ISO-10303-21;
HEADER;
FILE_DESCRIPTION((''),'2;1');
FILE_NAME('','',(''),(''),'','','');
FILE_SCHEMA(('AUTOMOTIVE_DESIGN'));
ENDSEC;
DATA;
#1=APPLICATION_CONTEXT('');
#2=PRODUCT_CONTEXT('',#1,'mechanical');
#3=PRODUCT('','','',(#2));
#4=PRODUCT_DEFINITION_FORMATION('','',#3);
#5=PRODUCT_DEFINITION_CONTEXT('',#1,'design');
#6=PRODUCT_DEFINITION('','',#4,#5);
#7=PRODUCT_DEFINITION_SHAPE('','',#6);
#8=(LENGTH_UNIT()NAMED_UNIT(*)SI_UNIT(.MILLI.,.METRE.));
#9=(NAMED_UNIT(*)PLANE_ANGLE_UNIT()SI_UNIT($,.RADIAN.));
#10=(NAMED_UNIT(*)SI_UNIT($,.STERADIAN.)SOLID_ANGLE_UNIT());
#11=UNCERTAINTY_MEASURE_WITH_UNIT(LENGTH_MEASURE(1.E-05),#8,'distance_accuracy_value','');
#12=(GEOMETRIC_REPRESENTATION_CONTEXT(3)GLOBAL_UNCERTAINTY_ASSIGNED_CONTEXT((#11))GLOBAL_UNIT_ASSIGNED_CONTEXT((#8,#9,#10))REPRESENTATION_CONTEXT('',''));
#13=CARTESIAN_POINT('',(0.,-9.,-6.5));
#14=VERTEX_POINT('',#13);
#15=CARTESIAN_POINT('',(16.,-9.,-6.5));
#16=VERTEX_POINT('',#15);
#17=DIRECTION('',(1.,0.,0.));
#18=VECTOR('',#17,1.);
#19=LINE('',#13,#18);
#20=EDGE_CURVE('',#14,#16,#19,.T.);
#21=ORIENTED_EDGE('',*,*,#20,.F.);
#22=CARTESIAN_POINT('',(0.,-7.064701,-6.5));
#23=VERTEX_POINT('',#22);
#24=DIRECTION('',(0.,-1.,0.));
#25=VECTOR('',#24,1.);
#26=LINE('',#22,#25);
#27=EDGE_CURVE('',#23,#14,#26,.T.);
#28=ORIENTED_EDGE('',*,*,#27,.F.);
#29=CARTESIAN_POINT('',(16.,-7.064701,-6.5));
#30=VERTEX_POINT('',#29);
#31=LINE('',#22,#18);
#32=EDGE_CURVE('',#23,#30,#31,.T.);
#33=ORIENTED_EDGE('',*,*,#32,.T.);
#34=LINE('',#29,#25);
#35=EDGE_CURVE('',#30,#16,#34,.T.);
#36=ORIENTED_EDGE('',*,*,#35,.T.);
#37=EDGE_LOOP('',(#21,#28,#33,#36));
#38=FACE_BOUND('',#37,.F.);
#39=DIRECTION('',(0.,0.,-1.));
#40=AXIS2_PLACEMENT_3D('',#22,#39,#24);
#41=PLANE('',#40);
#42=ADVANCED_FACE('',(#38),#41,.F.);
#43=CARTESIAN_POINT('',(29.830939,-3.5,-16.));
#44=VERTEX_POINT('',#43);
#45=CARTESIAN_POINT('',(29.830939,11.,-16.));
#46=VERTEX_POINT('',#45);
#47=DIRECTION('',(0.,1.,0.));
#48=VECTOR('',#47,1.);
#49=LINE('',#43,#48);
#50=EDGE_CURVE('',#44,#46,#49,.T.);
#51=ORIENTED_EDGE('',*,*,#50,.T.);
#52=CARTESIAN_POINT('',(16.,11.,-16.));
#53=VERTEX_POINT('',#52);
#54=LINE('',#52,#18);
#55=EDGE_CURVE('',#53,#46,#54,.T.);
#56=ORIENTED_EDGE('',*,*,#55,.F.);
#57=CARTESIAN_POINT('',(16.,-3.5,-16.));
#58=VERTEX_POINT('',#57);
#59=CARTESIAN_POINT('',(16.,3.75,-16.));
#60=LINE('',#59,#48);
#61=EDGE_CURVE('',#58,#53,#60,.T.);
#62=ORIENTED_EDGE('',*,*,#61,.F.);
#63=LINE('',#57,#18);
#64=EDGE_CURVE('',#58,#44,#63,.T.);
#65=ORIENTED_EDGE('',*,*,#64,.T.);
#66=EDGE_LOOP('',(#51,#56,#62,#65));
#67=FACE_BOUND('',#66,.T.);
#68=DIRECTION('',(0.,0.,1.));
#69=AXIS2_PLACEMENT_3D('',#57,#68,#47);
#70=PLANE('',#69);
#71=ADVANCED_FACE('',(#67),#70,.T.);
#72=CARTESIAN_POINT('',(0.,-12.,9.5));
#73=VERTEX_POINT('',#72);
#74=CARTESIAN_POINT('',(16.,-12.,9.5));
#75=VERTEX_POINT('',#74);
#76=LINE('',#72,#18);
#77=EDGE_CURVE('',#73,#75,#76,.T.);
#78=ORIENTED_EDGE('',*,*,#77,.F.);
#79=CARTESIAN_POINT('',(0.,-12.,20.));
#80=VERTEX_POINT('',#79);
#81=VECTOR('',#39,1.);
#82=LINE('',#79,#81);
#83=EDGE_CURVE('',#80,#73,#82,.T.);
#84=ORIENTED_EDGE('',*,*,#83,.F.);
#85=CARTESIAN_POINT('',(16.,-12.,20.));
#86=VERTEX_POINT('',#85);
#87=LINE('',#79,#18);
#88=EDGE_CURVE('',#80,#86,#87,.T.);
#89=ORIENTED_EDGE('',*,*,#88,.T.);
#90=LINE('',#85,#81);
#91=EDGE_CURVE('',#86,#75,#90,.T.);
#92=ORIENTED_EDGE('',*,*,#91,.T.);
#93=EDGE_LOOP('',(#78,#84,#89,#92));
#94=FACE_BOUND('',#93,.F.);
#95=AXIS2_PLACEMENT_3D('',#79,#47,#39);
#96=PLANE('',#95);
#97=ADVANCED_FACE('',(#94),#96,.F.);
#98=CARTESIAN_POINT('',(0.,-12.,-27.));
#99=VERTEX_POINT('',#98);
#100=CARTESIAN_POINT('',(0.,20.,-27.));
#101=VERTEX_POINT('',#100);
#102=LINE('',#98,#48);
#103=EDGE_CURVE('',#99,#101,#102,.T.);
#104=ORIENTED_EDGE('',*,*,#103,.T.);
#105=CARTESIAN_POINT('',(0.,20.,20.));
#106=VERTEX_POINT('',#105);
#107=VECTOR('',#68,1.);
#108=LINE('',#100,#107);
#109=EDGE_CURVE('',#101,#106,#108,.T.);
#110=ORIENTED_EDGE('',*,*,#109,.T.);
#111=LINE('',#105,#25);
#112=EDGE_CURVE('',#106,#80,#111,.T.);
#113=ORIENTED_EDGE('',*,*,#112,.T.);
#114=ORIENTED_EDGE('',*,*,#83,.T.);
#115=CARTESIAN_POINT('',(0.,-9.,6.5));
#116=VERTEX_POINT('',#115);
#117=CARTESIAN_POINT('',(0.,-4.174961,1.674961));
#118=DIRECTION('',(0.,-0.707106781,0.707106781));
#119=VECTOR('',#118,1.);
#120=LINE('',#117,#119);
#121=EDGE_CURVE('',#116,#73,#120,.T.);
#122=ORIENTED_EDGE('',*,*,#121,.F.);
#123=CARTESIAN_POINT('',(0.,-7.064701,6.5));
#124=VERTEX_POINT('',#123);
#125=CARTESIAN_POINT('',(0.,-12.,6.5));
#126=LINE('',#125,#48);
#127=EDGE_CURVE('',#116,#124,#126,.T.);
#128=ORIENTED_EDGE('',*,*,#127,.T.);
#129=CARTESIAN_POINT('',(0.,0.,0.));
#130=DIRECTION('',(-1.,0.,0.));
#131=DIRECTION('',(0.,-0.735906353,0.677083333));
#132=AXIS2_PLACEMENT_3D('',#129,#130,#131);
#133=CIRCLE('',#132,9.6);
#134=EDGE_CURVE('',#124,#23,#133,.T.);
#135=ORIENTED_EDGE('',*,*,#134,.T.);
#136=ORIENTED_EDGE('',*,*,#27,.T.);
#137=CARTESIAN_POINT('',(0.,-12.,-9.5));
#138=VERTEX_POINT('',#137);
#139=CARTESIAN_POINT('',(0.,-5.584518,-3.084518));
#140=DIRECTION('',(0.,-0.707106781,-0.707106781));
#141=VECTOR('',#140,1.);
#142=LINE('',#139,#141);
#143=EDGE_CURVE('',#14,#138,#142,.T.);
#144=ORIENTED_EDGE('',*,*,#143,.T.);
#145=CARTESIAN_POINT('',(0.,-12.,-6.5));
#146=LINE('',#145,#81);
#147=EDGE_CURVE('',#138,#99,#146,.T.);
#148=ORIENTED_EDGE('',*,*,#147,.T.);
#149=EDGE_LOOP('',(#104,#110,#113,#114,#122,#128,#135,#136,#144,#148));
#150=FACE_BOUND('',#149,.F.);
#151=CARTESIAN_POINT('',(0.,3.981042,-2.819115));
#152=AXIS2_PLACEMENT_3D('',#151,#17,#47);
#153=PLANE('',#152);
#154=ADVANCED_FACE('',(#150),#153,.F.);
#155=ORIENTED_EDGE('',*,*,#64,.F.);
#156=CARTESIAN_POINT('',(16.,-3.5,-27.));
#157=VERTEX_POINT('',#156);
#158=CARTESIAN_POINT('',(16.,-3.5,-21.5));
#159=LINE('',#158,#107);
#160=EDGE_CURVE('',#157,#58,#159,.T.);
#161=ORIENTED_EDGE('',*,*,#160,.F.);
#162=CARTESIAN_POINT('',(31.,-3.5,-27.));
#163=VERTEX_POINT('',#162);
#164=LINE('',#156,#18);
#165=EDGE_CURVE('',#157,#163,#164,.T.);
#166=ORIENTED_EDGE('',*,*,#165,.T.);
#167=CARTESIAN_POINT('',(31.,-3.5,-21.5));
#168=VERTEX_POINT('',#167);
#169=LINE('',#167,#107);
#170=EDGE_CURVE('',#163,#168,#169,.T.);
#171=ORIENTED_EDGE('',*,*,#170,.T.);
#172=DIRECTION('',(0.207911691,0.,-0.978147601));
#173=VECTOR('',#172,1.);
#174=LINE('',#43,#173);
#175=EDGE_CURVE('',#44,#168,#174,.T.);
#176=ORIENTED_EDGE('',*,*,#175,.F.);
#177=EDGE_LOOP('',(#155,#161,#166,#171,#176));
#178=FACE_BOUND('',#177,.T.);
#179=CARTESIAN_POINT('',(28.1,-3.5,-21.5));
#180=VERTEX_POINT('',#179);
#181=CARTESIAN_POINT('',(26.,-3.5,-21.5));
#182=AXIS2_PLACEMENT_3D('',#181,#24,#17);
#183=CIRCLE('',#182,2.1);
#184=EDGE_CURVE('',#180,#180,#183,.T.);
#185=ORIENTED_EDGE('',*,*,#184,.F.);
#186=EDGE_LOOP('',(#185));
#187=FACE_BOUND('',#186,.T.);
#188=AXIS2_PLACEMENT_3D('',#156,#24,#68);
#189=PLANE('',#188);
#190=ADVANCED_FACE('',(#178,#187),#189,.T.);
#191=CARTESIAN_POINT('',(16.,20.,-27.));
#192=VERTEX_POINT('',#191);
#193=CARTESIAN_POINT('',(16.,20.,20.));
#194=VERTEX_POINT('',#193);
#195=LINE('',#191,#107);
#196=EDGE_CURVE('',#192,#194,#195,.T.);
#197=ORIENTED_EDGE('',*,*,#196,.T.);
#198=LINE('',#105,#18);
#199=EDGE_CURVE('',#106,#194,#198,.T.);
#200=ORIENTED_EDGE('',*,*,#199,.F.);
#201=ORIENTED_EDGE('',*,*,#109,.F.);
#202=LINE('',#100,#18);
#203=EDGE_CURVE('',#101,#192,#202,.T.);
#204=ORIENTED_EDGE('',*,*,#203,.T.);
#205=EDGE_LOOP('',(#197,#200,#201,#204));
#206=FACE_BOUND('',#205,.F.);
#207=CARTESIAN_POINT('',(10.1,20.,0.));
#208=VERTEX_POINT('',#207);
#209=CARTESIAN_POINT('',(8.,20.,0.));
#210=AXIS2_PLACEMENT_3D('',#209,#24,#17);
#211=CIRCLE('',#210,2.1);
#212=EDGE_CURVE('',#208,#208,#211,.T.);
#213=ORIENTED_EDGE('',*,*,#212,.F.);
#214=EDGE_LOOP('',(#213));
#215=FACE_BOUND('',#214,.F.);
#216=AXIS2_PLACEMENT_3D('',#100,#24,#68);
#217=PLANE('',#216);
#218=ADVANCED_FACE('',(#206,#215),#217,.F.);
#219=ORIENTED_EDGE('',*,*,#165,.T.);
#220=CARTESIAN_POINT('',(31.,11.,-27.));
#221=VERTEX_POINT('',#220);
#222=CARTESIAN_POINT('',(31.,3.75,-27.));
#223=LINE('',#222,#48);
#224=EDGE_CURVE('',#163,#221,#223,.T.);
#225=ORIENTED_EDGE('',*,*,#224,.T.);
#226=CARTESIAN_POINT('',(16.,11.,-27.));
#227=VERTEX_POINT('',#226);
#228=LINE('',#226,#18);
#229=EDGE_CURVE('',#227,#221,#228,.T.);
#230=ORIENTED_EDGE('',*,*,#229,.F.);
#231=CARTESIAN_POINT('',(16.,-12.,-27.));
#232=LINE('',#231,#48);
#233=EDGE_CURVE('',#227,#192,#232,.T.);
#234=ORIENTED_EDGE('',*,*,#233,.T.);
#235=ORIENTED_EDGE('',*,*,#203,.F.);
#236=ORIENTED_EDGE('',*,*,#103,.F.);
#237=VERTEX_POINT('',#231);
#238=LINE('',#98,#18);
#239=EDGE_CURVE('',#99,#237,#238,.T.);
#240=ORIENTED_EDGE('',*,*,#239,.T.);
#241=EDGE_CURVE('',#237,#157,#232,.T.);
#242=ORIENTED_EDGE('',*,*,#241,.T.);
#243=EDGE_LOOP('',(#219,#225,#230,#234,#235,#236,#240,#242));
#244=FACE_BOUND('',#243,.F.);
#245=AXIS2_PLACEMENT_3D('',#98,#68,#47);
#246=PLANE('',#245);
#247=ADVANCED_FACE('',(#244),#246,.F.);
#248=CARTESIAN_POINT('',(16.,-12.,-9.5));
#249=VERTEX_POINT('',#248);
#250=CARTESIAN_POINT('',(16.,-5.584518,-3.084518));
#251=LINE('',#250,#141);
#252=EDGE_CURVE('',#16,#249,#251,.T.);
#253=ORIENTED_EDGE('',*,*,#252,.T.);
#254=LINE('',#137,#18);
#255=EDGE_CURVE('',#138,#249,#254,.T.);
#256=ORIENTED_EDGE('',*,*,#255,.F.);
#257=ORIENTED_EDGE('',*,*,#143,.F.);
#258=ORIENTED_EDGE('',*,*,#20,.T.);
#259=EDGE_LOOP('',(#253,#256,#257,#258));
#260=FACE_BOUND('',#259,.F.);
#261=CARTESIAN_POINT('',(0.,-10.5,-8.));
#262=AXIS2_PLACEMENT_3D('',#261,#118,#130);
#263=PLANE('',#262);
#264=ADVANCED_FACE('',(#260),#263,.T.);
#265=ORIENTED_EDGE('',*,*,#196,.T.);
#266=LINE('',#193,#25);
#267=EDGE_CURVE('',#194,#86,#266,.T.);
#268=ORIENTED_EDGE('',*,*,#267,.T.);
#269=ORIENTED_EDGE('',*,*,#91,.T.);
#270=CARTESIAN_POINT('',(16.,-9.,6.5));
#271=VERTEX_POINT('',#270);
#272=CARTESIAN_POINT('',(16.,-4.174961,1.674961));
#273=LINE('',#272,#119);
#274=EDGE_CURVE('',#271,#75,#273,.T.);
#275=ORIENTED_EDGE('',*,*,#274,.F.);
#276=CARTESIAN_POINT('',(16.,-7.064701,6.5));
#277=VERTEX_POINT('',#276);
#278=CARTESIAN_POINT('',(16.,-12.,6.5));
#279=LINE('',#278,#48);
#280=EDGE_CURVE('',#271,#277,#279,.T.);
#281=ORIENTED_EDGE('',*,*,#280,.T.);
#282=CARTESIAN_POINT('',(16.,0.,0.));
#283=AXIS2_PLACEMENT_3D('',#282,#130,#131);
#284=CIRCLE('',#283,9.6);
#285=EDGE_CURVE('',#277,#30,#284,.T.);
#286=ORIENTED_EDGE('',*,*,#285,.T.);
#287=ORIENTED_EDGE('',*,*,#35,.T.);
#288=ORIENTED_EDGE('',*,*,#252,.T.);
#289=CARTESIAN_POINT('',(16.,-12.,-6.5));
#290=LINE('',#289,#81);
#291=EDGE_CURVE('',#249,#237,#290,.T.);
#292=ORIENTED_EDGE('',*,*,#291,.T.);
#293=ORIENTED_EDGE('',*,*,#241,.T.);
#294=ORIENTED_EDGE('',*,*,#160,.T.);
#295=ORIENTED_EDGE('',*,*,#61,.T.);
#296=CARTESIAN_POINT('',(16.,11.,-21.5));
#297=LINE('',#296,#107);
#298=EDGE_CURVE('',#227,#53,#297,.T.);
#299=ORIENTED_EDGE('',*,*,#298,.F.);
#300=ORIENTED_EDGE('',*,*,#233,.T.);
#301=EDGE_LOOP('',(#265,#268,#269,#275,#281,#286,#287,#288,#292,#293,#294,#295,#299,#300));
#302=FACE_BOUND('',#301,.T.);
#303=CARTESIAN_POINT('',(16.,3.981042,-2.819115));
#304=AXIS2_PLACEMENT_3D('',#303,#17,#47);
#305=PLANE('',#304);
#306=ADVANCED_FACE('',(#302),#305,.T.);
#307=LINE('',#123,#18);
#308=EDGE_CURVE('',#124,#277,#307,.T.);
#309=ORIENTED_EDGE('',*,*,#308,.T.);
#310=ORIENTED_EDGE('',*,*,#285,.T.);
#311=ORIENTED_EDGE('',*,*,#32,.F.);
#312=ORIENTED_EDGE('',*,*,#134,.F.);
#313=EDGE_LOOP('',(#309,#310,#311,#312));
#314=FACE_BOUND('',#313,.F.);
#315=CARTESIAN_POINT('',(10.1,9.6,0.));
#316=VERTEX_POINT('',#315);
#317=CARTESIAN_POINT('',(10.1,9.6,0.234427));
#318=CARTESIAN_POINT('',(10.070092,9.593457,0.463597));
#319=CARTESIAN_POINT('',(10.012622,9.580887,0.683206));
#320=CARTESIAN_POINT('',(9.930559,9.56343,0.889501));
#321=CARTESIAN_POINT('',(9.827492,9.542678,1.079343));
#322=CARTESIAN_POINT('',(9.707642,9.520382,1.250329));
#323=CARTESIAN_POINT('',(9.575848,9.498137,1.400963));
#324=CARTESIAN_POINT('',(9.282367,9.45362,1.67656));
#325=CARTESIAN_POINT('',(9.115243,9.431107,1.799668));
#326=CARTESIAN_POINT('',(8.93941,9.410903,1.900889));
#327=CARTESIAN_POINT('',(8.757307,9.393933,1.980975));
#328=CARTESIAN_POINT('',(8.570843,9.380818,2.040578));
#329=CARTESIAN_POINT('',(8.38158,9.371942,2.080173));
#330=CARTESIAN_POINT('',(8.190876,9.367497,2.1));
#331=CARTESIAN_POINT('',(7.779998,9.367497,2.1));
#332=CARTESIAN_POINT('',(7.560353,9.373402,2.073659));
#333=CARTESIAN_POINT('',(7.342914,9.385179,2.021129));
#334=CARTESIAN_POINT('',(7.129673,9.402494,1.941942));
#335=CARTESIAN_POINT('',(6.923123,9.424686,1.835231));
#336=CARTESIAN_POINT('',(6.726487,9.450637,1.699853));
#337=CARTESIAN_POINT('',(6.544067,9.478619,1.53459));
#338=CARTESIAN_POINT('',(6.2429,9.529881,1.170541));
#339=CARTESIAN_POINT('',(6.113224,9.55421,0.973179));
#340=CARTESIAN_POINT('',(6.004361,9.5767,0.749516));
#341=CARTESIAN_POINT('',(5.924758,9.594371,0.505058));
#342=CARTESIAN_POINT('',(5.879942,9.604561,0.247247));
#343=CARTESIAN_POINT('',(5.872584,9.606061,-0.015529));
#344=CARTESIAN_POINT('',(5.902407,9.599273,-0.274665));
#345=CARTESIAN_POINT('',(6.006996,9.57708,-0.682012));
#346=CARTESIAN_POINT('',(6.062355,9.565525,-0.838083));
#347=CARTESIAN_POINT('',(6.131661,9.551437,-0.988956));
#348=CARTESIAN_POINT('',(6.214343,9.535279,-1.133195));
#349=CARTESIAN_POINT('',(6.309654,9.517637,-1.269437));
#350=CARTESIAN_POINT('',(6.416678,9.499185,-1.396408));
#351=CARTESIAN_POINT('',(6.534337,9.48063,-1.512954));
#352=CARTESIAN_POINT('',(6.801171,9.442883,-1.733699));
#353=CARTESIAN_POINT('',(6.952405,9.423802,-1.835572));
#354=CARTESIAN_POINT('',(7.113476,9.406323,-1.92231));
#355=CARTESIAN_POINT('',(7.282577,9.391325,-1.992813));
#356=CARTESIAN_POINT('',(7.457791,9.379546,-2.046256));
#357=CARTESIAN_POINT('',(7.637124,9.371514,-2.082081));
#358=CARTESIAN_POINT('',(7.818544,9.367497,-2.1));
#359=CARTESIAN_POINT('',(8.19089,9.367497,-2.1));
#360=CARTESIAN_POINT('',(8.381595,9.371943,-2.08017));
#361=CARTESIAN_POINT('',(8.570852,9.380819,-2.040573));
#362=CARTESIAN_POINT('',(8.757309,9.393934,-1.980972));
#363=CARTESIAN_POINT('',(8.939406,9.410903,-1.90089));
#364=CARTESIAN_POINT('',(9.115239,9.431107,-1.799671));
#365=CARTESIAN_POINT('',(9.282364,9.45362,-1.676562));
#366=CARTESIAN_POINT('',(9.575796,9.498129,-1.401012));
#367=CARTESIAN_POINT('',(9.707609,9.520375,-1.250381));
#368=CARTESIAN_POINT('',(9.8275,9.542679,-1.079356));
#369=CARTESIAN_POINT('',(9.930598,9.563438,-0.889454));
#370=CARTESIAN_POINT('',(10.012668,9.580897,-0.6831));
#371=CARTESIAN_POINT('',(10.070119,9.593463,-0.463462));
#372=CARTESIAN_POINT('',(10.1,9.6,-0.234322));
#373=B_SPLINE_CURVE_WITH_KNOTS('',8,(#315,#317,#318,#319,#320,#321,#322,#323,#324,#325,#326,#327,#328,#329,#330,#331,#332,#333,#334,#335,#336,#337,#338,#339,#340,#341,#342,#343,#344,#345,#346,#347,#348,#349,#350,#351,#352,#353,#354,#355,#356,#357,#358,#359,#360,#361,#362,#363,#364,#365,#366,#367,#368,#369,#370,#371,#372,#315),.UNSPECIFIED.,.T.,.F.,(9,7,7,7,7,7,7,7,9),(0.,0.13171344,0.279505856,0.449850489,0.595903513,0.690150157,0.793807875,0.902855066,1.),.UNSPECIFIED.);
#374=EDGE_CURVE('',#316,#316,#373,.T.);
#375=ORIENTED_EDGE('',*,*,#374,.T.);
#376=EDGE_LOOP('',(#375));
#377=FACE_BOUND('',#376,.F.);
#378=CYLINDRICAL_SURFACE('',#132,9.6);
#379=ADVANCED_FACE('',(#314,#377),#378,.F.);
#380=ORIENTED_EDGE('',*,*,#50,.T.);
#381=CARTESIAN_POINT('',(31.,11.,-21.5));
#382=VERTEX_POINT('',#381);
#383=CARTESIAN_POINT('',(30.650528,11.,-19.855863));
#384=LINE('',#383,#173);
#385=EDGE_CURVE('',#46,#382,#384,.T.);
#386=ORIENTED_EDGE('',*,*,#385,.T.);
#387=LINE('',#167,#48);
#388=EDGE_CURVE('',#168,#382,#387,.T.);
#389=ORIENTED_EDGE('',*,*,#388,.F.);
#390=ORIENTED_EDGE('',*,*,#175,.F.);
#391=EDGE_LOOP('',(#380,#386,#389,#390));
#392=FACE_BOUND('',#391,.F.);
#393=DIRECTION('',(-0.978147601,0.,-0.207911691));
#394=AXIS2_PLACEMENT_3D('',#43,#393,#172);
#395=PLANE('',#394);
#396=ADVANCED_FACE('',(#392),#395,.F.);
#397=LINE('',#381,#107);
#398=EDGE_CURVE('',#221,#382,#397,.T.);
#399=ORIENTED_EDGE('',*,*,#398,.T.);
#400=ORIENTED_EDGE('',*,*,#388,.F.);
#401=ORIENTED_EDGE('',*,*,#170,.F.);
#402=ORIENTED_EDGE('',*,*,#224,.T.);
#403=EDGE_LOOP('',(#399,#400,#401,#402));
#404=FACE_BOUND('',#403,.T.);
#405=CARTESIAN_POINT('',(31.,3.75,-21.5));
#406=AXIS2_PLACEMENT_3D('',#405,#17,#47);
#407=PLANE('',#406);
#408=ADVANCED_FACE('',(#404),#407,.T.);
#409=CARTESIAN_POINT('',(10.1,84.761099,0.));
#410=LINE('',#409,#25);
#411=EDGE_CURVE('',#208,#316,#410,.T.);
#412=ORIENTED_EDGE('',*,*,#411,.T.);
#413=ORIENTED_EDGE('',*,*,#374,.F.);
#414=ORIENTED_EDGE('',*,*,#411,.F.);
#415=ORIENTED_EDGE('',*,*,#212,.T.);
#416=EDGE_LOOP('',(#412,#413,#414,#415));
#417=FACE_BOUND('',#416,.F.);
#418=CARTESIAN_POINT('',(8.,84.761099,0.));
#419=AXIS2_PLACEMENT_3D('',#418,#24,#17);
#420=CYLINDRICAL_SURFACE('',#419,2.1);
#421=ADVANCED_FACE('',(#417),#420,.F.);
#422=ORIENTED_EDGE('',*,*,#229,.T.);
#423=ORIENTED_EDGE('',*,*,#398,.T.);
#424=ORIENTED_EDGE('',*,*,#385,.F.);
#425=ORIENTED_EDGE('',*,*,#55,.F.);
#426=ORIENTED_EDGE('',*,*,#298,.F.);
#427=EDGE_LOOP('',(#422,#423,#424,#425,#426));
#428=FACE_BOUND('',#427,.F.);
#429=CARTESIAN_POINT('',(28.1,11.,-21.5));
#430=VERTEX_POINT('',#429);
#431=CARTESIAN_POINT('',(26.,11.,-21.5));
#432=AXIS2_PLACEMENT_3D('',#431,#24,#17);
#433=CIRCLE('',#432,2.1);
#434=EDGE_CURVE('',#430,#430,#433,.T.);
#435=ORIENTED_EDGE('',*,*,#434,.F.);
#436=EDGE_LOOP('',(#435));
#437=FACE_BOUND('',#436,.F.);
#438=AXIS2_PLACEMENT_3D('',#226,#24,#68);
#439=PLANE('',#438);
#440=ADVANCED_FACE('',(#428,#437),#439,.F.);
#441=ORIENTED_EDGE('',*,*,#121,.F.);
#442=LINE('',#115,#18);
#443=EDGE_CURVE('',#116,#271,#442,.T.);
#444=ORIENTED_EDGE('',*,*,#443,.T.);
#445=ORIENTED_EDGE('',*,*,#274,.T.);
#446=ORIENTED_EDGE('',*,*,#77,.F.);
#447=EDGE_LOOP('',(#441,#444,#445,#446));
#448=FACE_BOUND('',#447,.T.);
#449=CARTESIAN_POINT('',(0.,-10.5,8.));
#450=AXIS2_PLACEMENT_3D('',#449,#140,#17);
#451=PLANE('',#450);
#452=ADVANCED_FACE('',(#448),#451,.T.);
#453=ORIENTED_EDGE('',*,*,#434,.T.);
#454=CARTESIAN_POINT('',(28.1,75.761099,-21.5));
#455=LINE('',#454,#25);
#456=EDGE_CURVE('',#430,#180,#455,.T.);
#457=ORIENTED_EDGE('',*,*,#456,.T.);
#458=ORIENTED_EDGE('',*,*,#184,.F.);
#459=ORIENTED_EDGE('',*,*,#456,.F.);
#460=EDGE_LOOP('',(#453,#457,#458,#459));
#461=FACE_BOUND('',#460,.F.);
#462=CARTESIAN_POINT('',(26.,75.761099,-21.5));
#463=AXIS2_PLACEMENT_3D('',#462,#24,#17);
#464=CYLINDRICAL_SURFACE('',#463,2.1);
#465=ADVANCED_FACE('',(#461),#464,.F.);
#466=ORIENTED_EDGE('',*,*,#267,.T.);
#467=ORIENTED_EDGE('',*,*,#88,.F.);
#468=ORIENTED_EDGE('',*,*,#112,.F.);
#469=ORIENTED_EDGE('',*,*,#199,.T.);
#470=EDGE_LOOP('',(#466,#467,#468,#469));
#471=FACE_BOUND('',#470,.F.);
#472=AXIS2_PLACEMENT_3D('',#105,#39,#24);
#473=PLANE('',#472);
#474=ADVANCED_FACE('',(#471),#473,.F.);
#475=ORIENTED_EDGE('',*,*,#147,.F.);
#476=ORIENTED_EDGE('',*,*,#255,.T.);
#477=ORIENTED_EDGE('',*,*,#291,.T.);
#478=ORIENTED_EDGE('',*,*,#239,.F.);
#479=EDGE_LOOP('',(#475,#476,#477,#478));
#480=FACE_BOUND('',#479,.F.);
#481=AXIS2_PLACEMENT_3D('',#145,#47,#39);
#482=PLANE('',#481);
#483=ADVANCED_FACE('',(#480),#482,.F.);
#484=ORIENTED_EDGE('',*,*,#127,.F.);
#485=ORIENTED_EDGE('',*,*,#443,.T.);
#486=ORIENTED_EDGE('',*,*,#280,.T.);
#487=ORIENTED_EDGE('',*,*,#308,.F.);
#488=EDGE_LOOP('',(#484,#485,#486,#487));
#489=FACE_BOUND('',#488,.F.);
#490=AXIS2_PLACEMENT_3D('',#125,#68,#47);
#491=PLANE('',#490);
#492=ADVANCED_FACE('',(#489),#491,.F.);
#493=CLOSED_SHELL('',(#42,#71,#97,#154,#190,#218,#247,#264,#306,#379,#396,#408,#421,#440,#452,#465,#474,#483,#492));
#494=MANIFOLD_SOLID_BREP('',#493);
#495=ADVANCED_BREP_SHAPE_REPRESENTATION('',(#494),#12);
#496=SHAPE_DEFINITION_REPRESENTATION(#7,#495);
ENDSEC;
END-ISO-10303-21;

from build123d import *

# Parameters (mm, degrees)
F1_DEPTH = 16
F2_W     = 14.5
F2_H     = 11
F3_DEPTH = 15
F5_DEPTH = 23.501
F7_D     = 4.2
F9_D     = 4.2
F10_SIZE = 3


with BuildPart() as f1:
    # F0 (on Right) → F1 (new body)
    with BuildSketch(Plane.YZ):
        with BuildLine():
            ThreePointArc((-7.0647009845, 6.5), (9.6, 0), (-7.0647009845, -6.5))
            Line((-7.0647009845, -6.5), (-12, -6.5))
            Line((-12, -6.5), (-12, -27))
            Line((-12, -27), (20, -27))
            Line((20, -27), (20, 20))
            Line((20, 20), (-12, 20))
            Line((-12, 20), (-12, 6.5))
            Line((-12, 6.5), (-7.0647009845, 6.5))
        make_face()
    extrude(amount=F1_DEPTH)

    # F2 (on face) → F3 (join)
    with BuildSketch(Plane.YZ.offset(16)):
        with Locations((3.75, -21.5)):
            Rectangle(F2_W, F2_H)
    extrude(amount=F3_DEPTH)

    # F4 (on face) → F5 (cut, through all)
    with BuildSketch(Plane.XZ.offset(3.5)):
        Polygon((29.8309389108, -16), (31, -21.5), (31, -16), align=None)
    extrude(amount=-F5_DEPTH, mode=Mode.SUBTRACT)

    # F7 (through all)
    with Locations(Plane(origin=(0, 11, 0), x_dir=(-1, 0, 0), z_dir=(0, 1, 0))):
        with Locations((-26, -21.5)):
            Hole(F7_D / 2)

    # F9 (through all)
    with Locations(Plane(origin=(0, 20, 0), x_dir=(-1, 0, 0), z_dir=(0, 1, 0))):
        with Locations((-8, 0)):
            Hole(F9_D / 2)

    # F10
    f10_edges = [f1.edges().sort_by_distance(p)[0] for p in [
        (8, -12, 6.5),
        (8, -12, -6.5),
    ]]
    chamfer(f10_edges, length=F10_SIZE)


solid = f1.part
